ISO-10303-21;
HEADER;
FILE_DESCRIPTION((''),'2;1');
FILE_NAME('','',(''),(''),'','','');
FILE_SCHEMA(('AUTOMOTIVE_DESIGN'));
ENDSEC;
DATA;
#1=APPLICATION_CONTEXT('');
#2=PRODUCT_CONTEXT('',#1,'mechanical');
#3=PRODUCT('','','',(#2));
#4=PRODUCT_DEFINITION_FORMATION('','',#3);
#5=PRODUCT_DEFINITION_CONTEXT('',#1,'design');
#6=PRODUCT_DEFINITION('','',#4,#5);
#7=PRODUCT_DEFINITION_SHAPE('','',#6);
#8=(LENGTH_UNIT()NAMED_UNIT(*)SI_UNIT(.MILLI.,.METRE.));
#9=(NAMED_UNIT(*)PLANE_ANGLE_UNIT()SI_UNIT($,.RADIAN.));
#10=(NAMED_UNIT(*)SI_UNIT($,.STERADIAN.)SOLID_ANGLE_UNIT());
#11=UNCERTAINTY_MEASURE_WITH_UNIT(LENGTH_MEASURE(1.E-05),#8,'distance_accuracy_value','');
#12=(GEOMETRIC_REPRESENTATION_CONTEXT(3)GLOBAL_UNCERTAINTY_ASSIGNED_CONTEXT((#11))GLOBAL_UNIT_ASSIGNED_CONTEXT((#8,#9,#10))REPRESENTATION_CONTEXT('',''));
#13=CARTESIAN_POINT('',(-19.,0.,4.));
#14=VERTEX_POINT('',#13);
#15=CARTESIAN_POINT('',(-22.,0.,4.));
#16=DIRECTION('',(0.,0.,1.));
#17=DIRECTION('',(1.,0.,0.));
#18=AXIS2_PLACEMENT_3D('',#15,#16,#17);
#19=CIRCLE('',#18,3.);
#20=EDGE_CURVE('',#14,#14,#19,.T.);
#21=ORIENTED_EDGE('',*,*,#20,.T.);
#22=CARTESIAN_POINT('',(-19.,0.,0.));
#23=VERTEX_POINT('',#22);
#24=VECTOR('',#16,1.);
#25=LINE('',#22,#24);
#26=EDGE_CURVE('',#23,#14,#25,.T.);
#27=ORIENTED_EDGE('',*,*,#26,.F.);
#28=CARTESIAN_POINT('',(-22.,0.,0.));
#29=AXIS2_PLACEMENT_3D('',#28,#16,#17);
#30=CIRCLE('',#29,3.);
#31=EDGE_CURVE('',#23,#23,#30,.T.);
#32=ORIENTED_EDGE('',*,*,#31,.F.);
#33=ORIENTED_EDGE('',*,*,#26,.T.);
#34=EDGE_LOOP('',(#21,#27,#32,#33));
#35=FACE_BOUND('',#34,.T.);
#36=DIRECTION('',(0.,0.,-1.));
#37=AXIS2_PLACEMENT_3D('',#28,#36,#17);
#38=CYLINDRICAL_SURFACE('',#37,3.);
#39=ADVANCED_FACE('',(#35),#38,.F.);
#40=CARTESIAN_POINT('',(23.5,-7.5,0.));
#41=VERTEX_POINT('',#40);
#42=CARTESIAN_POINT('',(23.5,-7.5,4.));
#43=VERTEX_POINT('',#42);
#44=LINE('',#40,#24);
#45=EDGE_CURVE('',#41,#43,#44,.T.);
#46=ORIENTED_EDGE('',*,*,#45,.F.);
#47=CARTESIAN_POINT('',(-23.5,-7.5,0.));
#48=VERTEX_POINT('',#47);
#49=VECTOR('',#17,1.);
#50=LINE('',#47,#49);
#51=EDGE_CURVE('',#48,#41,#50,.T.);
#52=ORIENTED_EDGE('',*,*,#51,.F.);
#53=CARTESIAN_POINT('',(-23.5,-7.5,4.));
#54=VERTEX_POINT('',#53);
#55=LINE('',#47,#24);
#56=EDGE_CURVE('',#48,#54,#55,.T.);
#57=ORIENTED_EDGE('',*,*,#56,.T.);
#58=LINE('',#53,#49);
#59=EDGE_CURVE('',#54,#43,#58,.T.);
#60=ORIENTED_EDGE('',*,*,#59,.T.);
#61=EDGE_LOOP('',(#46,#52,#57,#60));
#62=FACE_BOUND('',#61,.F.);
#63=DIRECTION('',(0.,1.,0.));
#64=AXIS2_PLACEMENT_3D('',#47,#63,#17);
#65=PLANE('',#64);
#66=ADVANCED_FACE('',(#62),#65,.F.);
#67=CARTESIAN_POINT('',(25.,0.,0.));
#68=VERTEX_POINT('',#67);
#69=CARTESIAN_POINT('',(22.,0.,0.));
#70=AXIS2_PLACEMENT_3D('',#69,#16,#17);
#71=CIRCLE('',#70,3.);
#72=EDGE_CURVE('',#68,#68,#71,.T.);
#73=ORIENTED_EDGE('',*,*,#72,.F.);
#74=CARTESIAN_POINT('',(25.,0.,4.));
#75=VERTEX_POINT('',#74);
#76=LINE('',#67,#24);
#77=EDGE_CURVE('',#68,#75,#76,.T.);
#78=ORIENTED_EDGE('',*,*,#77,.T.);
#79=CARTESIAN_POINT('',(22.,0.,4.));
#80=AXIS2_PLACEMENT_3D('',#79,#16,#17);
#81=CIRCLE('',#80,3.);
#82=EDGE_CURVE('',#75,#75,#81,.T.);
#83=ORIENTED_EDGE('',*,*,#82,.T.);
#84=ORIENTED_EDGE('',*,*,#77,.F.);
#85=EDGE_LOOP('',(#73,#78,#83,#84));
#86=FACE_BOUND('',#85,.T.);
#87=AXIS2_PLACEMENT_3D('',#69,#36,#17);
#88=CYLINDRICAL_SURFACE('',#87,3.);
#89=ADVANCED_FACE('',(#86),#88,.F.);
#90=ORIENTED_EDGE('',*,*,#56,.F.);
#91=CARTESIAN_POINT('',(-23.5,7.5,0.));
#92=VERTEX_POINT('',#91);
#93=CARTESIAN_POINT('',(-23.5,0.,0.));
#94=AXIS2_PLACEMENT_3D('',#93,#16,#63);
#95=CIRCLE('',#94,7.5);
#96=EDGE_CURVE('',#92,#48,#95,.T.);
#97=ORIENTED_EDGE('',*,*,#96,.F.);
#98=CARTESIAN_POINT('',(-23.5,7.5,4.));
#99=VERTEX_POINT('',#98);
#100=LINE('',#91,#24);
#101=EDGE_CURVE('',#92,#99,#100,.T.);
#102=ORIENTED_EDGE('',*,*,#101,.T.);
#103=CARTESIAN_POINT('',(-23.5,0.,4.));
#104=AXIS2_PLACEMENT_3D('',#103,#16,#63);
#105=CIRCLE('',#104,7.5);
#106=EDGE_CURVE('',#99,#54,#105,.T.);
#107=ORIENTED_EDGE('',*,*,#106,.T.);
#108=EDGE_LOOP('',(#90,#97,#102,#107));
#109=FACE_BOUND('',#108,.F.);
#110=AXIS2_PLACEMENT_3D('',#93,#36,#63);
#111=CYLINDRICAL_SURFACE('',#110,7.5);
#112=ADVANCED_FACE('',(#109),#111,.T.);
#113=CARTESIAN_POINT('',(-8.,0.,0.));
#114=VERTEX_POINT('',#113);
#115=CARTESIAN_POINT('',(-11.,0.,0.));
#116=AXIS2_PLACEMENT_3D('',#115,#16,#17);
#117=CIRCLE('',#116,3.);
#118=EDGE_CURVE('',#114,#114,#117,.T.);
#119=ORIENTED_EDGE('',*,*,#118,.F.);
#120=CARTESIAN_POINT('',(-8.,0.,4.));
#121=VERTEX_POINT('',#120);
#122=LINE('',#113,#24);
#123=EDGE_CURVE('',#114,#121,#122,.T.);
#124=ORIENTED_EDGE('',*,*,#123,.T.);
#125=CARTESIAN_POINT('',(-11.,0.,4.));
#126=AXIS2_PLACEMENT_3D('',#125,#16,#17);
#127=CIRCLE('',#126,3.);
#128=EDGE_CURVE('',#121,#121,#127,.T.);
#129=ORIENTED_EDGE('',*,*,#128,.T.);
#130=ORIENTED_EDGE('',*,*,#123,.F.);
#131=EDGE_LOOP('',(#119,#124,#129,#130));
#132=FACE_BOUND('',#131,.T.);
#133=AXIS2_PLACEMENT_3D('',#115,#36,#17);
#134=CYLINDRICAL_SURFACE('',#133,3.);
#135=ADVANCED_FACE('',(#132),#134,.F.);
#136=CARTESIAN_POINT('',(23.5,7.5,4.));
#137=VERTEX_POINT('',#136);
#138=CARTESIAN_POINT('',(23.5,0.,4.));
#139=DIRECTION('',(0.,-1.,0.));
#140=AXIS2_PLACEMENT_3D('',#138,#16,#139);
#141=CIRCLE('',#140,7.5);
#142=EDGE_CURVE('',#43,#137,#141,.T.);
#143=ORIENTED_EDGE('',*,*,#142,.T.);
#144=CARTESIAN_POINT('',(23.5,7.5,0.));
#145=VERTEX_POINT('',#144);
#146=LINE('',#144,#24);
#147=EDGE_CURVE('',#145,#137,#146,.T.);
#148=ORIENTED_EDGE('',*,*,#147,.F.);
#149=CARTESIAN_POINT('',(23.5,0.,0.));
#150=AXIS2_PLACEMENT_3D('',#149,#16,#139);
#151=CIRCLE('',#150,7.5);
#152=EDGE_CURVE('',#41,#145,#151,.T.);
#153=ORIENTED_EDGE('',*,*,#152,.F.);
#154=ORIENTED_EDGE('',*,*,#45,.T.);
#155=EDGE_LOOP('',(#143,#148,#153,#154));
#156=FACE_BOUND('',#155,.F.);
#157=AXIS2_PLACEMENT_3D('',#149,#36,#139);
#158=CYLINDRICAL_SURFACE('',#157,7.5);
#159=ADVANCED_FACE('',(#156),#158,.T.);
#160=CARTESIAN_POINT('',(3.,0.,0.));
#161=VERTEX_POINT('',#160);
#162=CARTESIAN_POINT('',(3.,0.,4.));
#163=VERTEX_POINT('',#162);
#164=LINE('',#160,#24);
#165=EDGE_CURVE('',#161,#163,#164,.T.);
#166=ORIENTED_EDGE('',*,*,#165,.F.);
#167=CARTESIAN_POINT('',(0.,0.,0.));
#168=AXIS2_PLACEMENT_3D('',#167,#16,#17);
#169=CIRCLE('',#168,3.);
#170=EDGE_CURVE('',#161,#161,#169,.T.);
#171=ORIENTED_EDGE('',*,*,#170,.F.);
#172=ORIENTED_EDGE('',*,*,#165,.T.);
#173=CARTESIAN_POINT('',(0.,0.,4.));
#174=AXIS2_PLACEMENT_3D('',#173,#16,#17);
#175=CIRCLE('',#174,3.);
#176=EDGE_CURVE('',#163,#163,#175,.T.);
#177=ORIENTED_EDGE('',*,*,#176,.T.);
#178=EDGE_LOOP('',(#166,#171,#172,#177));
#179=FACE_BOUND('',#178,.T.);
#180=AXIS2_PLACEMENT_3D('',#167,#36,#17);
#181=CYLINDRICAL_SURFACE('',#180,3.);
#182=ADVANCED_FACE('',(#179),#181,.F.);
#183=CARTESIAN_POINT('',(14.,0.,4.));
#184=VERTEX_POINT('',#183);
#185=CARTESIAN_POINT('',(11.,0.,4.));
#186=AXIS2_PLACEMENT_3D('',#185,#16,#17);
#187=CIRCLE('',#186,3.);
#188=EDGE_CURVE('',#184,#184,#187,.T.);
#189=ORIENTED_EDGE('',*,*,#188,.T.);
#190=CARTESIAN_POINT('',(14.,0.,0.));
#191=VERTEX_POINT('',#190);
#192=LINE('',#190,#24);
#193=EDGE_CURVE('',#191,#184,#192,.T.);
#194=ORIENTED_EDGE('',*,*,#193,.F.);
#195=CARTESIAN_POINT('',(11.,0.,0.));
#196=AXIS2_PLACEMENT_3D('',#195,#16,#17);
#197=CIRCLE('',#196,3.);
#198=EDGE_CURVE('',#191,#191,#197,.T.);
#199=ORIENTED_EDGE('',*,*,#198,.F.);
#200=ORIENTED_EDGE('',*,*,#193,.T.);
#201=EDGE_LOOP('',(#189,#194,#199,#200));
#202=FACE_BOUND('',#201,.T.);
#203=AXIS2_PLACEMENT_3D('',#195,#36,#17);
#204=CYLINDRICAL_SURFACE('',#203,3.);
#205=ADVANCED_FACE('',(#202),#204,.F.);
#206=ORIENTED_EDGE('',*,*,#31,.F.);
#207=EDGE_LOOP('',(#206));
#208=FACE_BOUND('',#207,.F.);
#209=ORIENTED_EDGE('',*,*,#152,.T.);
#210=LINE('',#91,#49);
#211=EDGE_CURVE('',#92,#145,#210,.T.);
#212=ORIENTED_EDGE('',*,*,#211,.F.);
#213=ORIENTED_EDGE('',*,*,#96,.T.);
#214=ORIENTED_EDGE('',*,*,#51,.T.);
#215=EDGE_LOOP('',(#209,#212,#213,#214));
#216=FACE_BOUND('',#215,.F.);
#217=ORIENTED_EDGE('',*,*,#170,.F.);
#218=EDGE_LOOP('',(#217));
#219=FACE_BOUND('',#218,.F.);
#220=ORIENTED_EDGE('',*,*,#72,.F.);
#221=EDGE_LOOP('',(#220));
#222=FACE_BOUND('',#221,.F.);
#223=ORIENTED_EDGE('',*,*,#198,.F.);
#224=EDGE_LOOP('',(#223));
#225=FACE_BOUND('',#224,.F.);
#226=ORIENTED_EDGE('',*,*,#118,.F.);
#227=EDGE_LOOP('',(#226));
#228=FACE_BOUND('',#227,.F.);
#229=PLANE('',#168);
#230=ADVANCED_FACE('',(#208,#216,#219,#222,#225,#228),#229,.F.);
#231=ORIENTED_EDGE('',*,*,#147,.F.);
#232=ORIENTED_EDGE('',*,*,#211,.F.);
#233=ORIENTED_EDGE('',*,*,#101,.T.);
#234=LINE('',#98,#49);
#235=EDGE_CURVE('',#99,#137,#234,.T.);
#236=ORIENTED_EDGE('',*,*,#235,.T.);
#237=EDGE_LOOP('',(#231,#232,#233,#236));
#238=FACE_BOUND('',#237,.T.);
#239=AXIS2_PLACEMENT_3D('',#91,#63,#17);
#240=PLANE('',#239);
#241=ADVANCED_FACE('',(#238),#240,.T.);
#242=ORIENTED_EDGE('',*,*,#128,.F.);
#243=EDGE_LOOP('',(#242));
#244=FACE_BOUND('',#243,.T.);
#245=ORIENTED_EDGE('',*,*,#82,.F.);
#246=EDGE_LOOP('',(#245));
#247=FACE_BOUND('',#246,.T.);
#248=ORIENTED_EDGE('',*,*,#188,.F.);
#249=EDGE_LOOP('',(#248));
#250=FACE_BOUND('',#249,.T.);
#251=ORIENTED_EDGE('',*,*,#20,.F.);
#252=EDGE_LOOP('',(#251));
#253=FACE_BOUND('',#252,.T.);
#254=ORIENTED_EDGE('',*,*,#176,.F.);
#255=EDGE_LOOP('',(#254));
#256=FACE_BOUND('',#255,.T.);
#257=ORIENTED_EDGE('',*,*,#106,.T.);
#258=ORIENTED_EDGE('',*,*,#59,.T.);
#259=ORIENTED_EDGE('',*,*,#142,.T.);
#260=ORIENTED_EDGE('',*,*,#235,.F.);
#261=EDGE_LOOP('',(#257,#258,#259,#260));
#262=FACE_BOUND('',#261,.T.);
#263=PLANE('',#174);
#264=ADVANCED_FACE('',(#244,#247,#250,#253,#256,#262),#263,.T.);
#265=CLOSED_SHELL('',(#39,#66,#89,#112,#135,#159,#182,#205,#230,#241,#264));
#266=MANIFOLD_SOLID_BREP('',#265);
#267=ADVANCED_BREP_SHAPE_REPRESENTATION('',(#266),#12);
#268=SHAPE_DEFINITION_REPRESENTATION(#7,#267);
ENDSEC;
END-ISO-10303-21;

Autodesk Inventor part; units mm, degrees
ref_plane "YZ Plane" through (0, 0, 0) normal (1, 0, 0) x (0, 1, 0)
ref_plane "XZ Plane" through (0, 0, 0) normal (0, 1, 0) x (-1, 0, 0)
ref_plane "XY Plane" through (0, 0, 0) normal (0, 0, 1) x (1, 0, 0)
sketch "Base" plane through (0, 0, 0) normal (0, 0, 1) x (1, 0, 0)
  circle A0 centre (0, 0) radius 3
  line L0 (0, 0) -> (-11, 0) construction
  circle A1 centre (-11, 0) radius 3
  line L1 (0, 0) -> (11, 0) construction
  circle A2 centre (11, 0) radius 3
  line L2 (11, 0) -> (22, 0) construction
  circle A3 centre (22, 0) radius 3
  line L3 (-11, 0) -> (-22, 0) construction
  circle A4 centre (-22, 0) radius 3
  line L4 (-23.5, 7.5) -> (23.5, 7.5)
  line L5 (-23.5, -7.5) -> (23.5, -7.5)
  arc A5 (-23.5, 7.5) -> (-23.5, -7.5) centre (-23.5, 0) ccw
  arc A6 (23.5, -7.5) -> (23.5, 7.5) centre (23.5, 0) ccw
  dimension "d0" = 6
  dimension "d1" = 11
  dimension "d4" = 7.5
  dimension "d5" = 7.5
  dimension "d6" = 1.5
  dimension "d7" = 1.5
extrude "BaseFeature" add sketch "Base" along normal blind 4
equation "\"d5\" = d4"
equation "\"d6\" = d4 - d0"
equation "\"d7\" = d6"
properties part number "ShinExtender"
